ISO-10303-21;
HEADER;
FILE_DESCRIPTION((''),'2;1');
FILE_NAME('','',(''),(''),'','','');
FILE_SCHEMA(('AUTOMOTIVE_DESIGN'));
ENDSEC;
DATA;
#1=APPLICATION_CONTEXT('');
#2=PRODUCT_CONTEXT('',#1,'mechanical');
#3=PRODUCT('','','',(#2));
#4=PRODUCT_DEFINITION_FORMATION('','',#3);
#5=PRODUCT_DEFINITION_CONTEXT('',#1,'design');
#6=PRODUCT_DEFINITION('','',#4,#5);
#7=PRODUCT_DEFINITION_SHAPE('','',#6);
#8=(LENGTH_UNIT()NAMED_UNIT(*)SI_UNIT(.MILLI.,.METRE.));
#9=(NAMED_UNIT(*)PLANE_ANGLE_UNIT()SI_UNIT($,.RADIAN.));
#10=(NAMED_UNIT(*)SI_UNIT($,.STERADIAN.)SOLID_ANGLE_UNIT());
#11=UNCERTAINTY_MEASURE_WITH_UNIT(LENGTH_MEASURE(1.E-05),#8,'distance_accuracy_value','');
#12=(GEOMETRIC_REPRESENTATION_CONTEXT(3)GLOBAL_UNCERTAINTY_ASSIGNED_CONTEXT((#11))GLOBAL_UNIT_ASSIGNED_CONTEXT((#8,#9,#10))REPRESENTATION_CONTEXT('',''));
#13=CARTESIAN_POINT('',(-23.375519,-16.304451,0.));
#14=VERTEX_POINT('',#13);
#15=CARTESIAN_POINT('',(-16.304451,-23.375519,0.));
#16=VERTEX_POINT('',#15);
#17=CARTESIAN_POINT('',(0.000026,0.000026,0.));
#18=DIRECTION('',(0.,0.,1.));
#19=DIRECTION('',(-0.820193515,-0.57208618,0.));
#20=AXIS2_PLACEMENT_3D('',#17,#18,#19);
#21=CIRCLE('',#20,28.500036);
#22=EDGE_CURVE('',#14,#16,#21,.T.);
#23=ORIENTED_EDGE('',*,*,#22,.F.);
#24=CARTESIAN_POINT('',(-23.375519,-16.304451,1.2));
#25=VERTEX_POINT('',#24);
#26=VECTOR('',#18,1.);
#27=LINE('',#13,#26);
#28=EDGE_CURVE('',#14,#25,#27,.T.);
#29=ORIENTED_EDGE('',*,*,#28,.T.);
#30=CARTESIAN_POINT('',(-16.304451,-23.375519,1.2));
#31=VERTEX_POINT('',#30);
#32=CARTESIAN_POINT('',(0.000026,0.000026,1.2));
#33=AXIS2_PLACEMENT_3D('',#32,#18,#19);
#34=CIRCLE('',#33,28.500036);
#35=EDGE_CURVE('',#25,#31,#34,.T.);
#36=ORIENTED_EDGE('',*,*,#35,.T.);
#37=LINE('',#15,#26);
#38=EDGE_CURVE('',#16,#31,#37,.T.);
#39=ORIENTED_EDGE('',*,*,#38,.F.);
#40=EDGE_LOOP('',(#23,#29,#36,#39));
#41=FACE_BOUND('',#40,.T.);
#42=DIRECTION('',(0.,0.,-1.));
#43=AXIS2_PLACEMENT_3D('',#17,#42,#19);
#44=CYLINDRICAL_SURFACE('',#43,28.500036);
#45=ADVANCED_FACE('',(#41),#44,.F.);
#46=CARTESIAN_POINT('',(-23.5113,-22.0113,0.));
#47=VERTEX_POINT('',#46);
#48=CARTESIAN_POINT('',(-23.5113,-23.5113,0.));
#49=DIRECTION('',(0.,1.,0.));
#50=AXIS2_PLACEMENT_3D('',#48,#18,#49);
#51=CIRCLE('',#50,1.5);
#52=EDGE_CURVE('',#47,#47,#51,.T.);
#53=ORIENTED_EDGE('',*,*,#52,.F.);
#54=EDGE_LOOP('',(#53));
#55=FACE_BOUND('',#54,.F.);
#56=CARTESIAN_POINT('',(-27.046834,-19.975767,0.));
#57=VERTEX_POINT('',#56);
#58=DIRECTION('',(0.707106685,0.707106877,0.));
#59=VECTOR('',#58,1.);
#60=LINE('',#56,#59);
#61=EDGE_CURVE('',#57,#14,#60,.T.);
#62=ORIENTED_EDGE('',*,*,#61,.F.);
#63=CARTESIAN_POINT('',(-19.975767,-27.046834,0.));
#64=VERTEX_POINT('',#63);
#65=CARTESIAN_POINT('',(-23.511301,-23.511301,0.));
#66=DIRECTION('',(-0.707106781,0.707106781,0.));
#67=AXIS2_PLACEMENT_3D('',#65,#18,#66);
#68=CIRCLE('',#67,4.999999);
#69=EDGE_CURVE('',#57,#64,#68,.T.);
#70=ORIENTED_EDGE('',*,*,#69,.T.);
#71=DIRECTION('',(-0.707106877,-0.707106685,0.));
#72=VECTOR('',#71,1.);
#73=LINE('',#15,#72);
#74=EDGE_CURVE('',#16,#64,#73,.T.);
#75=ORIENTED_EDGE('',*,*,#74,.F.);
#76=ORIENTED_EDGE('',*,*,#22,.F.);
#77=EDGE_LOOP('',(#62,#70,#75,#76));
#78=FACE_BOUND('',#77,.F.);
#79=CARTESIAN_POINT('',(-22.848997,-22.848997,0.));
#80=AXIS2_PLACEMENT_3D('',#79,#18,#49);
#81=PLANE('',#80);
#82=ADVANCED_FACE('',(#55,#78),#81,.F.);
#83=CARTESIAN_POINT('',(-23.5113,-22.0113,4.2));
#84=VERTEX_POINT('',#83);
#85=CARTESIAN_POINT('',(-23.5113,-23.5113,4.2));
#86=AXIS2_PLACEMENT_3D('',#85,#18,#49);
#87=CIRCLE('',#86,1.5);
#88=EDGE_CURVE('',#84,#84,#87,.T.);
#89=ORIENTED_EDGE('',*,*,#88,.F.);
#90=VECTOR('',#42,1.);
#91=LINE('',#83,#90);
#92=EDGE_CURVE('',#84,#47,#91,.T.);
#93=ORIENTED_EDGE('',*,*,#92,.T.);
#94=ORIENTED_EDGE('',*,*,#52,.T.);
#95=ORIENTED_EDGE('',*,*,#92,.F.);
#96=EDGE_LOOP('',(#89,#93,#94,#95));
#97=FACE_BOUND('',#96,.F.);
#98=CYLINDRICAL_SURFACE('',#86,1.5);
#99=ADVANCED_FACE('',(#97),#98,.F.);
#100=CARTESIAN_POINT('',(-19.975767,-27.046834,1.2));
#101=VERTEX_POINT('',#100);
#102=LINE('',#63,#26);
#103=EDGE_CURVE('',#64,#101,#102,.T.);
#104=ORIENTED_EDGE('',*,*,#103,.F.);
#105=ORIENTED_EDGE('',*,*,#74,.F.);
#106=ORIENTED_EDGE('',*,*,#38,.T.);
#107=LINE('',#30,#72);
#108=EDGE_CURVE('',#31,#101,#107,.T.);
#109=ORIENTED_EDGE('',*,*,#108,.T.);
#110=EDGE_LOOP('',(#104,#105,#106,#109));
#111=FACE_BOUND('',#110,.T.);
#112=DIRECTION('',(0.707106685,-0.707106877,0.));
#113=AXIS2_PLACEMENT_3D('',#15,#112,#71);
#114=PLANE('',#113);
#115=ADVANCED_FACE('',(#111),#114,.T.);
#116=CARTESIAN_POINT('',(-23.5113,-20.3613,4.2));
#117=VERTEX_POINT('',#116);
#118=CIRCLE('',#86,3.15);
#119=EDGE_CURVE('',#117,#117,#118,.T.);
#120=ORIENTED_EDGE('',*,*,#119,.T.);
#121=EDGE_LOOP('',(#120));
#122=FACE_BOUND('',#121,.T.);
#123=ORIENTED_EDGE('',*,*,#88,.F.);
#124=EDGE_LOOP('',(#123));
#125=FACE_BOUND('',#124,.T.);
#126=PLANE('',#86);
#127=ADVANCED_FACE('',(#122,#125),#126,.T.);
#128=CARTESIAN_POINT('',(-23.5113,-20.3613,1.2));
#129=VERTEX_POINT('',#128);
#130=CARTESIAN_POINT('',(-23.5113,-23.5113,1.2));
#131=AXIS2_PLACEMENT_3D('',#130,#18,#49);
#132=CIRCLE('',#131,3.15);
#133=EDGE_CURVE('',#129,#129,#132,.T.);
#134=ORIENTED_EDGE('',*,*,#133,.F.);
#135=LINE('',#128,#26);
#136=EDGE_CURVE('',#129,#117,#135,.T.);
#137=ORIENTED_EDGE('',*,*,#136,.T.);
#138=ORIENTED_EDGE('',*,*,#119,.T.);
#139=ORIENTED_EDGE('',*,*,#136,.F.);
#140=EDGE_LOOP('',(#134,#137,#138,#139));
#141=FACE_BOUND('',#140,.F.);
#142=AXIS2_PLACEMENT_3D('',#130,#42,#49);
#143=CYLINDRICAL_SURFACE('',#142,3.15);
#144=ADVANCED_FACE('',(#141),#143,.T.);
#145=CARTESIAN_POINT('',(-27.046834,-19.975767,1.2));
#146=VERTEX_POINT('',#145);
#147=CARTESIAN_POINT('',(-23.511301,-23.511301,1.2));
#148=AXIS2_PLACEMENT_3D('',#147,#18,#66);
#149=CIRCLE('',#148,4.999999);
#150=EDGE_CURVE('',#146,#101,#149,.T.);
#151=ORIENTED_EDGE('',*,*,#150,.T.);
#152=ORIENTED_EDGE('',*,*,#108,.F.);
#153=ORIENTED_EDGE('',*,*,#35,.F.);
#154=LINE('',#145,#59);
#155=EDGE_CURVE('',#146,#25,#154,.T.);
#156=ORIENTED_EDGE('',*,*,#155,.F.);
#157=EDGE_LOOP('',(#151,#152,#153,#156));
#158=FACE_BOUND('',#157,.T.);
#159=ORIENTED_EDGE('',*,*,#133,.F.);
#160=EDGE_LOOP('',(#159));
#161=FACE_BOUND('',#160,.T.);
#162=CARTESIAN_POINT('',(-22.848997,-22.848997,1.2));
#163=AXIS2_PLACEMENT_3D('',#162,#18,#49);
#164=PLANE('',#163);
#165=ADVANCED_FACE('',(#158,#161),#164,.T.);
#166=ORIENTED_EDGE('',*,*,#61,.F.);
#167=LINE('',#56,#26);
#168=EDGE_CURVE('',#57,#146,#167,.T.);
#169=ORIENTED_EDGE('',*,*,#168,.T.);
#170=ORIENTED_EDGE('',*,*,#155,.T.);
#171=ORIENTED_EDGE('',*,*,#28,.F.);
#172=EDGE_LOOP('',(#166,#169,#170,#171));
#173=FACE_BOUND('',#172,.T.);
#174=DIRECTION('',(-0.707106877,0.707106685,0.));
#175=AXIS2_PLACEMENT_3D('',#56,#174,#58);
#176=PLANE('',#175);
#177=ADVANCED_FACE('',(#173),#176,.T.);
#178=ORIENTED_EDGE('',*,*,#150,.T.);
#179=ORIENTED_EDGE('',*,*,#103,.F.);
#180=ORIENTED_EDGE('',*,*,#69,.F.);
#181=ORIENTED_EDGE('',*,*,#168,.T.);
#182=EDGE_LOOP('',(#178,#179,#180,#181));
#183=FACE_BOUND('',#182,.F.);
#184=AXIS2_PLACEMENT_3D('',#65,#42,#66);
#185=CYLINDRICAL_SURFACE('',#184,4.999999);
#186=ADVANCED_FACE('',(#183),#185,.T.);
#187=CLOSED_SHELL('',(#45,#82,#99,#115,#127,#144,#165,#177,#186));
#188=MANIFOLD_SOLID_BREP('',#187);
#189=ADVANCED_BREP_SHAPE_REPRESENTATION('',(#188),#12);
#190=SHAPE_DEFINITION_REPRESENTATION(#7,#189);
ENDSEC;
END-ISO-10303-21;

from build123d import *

# Parameters (mm, degrees)
PAD_DEPTH             = 1.2
SKETCH001_R           = 3.15
PAD001_DEPTH          = 3
SKETCH002_R           = 0.8
POCKET_DEPTH          = 4.201
SKETCH003_R           = 1.5
POCKET001_DEPTH       = 5
CLONE_PLACEMENT_ANGLE = 90


with BuildPart() as part:
    # Sketch → Pad (new body)
    with BuildSketch(Plane.XY):
        with BuildLine():
            ThreePointArc((-19.975767, 27.046834), (-27.046834, 27.046834), (-27.046834, 19.975767))
            Line((-23.375519, 16.304451), (-27.046834, 19.975767))
            ThreePointArc((-16.304451, 23.375519), (-20.152543, 20.152543), (-23.375519, 16.304451))
            Line((-19.975767, 27.046834), (-16.304451, 23.375519))
        make_face()
    extrude(amount=PAD_DEPTH)

    # Sketch001 → Pad001 (new body)
    with BuildSketch(Plane.XY.offset(1.2)):
        with Locations((-23.5113, 23.5113)):
            Circle(SKETCH001_R)
    extrude(amount=PAD001_DEPTH)

    # Sketch002 → Pocket (cut, through all)
    with BuildSketch(Plane.XY.offset(4.2)):
        with Locations((-23.5113, 23.5113)):
            Circle(SKETCH002_R)
    extrude(amount=-POCKET_DEPTH, mode=Mode.SUBTRACT)

    # Sketch003 → Pocket001 (cut)
    with BuildSketch(Plane.XY.offset(4.2)):
        with Locations((-23.5113, 23.5113)):
            Circle(SKETCH003_R)
    extrude(amount=-POCKET001_DEPTH, mode=Mode.SUBTRACT)


with BuildPart() as part_1:
    # Clone placement: moved
    add(part.part.rotate(Axis((0, 0, 0), (0, 0, 1)), CLONE_PLACEMENT_ANGLE))


solid = part_1.part
